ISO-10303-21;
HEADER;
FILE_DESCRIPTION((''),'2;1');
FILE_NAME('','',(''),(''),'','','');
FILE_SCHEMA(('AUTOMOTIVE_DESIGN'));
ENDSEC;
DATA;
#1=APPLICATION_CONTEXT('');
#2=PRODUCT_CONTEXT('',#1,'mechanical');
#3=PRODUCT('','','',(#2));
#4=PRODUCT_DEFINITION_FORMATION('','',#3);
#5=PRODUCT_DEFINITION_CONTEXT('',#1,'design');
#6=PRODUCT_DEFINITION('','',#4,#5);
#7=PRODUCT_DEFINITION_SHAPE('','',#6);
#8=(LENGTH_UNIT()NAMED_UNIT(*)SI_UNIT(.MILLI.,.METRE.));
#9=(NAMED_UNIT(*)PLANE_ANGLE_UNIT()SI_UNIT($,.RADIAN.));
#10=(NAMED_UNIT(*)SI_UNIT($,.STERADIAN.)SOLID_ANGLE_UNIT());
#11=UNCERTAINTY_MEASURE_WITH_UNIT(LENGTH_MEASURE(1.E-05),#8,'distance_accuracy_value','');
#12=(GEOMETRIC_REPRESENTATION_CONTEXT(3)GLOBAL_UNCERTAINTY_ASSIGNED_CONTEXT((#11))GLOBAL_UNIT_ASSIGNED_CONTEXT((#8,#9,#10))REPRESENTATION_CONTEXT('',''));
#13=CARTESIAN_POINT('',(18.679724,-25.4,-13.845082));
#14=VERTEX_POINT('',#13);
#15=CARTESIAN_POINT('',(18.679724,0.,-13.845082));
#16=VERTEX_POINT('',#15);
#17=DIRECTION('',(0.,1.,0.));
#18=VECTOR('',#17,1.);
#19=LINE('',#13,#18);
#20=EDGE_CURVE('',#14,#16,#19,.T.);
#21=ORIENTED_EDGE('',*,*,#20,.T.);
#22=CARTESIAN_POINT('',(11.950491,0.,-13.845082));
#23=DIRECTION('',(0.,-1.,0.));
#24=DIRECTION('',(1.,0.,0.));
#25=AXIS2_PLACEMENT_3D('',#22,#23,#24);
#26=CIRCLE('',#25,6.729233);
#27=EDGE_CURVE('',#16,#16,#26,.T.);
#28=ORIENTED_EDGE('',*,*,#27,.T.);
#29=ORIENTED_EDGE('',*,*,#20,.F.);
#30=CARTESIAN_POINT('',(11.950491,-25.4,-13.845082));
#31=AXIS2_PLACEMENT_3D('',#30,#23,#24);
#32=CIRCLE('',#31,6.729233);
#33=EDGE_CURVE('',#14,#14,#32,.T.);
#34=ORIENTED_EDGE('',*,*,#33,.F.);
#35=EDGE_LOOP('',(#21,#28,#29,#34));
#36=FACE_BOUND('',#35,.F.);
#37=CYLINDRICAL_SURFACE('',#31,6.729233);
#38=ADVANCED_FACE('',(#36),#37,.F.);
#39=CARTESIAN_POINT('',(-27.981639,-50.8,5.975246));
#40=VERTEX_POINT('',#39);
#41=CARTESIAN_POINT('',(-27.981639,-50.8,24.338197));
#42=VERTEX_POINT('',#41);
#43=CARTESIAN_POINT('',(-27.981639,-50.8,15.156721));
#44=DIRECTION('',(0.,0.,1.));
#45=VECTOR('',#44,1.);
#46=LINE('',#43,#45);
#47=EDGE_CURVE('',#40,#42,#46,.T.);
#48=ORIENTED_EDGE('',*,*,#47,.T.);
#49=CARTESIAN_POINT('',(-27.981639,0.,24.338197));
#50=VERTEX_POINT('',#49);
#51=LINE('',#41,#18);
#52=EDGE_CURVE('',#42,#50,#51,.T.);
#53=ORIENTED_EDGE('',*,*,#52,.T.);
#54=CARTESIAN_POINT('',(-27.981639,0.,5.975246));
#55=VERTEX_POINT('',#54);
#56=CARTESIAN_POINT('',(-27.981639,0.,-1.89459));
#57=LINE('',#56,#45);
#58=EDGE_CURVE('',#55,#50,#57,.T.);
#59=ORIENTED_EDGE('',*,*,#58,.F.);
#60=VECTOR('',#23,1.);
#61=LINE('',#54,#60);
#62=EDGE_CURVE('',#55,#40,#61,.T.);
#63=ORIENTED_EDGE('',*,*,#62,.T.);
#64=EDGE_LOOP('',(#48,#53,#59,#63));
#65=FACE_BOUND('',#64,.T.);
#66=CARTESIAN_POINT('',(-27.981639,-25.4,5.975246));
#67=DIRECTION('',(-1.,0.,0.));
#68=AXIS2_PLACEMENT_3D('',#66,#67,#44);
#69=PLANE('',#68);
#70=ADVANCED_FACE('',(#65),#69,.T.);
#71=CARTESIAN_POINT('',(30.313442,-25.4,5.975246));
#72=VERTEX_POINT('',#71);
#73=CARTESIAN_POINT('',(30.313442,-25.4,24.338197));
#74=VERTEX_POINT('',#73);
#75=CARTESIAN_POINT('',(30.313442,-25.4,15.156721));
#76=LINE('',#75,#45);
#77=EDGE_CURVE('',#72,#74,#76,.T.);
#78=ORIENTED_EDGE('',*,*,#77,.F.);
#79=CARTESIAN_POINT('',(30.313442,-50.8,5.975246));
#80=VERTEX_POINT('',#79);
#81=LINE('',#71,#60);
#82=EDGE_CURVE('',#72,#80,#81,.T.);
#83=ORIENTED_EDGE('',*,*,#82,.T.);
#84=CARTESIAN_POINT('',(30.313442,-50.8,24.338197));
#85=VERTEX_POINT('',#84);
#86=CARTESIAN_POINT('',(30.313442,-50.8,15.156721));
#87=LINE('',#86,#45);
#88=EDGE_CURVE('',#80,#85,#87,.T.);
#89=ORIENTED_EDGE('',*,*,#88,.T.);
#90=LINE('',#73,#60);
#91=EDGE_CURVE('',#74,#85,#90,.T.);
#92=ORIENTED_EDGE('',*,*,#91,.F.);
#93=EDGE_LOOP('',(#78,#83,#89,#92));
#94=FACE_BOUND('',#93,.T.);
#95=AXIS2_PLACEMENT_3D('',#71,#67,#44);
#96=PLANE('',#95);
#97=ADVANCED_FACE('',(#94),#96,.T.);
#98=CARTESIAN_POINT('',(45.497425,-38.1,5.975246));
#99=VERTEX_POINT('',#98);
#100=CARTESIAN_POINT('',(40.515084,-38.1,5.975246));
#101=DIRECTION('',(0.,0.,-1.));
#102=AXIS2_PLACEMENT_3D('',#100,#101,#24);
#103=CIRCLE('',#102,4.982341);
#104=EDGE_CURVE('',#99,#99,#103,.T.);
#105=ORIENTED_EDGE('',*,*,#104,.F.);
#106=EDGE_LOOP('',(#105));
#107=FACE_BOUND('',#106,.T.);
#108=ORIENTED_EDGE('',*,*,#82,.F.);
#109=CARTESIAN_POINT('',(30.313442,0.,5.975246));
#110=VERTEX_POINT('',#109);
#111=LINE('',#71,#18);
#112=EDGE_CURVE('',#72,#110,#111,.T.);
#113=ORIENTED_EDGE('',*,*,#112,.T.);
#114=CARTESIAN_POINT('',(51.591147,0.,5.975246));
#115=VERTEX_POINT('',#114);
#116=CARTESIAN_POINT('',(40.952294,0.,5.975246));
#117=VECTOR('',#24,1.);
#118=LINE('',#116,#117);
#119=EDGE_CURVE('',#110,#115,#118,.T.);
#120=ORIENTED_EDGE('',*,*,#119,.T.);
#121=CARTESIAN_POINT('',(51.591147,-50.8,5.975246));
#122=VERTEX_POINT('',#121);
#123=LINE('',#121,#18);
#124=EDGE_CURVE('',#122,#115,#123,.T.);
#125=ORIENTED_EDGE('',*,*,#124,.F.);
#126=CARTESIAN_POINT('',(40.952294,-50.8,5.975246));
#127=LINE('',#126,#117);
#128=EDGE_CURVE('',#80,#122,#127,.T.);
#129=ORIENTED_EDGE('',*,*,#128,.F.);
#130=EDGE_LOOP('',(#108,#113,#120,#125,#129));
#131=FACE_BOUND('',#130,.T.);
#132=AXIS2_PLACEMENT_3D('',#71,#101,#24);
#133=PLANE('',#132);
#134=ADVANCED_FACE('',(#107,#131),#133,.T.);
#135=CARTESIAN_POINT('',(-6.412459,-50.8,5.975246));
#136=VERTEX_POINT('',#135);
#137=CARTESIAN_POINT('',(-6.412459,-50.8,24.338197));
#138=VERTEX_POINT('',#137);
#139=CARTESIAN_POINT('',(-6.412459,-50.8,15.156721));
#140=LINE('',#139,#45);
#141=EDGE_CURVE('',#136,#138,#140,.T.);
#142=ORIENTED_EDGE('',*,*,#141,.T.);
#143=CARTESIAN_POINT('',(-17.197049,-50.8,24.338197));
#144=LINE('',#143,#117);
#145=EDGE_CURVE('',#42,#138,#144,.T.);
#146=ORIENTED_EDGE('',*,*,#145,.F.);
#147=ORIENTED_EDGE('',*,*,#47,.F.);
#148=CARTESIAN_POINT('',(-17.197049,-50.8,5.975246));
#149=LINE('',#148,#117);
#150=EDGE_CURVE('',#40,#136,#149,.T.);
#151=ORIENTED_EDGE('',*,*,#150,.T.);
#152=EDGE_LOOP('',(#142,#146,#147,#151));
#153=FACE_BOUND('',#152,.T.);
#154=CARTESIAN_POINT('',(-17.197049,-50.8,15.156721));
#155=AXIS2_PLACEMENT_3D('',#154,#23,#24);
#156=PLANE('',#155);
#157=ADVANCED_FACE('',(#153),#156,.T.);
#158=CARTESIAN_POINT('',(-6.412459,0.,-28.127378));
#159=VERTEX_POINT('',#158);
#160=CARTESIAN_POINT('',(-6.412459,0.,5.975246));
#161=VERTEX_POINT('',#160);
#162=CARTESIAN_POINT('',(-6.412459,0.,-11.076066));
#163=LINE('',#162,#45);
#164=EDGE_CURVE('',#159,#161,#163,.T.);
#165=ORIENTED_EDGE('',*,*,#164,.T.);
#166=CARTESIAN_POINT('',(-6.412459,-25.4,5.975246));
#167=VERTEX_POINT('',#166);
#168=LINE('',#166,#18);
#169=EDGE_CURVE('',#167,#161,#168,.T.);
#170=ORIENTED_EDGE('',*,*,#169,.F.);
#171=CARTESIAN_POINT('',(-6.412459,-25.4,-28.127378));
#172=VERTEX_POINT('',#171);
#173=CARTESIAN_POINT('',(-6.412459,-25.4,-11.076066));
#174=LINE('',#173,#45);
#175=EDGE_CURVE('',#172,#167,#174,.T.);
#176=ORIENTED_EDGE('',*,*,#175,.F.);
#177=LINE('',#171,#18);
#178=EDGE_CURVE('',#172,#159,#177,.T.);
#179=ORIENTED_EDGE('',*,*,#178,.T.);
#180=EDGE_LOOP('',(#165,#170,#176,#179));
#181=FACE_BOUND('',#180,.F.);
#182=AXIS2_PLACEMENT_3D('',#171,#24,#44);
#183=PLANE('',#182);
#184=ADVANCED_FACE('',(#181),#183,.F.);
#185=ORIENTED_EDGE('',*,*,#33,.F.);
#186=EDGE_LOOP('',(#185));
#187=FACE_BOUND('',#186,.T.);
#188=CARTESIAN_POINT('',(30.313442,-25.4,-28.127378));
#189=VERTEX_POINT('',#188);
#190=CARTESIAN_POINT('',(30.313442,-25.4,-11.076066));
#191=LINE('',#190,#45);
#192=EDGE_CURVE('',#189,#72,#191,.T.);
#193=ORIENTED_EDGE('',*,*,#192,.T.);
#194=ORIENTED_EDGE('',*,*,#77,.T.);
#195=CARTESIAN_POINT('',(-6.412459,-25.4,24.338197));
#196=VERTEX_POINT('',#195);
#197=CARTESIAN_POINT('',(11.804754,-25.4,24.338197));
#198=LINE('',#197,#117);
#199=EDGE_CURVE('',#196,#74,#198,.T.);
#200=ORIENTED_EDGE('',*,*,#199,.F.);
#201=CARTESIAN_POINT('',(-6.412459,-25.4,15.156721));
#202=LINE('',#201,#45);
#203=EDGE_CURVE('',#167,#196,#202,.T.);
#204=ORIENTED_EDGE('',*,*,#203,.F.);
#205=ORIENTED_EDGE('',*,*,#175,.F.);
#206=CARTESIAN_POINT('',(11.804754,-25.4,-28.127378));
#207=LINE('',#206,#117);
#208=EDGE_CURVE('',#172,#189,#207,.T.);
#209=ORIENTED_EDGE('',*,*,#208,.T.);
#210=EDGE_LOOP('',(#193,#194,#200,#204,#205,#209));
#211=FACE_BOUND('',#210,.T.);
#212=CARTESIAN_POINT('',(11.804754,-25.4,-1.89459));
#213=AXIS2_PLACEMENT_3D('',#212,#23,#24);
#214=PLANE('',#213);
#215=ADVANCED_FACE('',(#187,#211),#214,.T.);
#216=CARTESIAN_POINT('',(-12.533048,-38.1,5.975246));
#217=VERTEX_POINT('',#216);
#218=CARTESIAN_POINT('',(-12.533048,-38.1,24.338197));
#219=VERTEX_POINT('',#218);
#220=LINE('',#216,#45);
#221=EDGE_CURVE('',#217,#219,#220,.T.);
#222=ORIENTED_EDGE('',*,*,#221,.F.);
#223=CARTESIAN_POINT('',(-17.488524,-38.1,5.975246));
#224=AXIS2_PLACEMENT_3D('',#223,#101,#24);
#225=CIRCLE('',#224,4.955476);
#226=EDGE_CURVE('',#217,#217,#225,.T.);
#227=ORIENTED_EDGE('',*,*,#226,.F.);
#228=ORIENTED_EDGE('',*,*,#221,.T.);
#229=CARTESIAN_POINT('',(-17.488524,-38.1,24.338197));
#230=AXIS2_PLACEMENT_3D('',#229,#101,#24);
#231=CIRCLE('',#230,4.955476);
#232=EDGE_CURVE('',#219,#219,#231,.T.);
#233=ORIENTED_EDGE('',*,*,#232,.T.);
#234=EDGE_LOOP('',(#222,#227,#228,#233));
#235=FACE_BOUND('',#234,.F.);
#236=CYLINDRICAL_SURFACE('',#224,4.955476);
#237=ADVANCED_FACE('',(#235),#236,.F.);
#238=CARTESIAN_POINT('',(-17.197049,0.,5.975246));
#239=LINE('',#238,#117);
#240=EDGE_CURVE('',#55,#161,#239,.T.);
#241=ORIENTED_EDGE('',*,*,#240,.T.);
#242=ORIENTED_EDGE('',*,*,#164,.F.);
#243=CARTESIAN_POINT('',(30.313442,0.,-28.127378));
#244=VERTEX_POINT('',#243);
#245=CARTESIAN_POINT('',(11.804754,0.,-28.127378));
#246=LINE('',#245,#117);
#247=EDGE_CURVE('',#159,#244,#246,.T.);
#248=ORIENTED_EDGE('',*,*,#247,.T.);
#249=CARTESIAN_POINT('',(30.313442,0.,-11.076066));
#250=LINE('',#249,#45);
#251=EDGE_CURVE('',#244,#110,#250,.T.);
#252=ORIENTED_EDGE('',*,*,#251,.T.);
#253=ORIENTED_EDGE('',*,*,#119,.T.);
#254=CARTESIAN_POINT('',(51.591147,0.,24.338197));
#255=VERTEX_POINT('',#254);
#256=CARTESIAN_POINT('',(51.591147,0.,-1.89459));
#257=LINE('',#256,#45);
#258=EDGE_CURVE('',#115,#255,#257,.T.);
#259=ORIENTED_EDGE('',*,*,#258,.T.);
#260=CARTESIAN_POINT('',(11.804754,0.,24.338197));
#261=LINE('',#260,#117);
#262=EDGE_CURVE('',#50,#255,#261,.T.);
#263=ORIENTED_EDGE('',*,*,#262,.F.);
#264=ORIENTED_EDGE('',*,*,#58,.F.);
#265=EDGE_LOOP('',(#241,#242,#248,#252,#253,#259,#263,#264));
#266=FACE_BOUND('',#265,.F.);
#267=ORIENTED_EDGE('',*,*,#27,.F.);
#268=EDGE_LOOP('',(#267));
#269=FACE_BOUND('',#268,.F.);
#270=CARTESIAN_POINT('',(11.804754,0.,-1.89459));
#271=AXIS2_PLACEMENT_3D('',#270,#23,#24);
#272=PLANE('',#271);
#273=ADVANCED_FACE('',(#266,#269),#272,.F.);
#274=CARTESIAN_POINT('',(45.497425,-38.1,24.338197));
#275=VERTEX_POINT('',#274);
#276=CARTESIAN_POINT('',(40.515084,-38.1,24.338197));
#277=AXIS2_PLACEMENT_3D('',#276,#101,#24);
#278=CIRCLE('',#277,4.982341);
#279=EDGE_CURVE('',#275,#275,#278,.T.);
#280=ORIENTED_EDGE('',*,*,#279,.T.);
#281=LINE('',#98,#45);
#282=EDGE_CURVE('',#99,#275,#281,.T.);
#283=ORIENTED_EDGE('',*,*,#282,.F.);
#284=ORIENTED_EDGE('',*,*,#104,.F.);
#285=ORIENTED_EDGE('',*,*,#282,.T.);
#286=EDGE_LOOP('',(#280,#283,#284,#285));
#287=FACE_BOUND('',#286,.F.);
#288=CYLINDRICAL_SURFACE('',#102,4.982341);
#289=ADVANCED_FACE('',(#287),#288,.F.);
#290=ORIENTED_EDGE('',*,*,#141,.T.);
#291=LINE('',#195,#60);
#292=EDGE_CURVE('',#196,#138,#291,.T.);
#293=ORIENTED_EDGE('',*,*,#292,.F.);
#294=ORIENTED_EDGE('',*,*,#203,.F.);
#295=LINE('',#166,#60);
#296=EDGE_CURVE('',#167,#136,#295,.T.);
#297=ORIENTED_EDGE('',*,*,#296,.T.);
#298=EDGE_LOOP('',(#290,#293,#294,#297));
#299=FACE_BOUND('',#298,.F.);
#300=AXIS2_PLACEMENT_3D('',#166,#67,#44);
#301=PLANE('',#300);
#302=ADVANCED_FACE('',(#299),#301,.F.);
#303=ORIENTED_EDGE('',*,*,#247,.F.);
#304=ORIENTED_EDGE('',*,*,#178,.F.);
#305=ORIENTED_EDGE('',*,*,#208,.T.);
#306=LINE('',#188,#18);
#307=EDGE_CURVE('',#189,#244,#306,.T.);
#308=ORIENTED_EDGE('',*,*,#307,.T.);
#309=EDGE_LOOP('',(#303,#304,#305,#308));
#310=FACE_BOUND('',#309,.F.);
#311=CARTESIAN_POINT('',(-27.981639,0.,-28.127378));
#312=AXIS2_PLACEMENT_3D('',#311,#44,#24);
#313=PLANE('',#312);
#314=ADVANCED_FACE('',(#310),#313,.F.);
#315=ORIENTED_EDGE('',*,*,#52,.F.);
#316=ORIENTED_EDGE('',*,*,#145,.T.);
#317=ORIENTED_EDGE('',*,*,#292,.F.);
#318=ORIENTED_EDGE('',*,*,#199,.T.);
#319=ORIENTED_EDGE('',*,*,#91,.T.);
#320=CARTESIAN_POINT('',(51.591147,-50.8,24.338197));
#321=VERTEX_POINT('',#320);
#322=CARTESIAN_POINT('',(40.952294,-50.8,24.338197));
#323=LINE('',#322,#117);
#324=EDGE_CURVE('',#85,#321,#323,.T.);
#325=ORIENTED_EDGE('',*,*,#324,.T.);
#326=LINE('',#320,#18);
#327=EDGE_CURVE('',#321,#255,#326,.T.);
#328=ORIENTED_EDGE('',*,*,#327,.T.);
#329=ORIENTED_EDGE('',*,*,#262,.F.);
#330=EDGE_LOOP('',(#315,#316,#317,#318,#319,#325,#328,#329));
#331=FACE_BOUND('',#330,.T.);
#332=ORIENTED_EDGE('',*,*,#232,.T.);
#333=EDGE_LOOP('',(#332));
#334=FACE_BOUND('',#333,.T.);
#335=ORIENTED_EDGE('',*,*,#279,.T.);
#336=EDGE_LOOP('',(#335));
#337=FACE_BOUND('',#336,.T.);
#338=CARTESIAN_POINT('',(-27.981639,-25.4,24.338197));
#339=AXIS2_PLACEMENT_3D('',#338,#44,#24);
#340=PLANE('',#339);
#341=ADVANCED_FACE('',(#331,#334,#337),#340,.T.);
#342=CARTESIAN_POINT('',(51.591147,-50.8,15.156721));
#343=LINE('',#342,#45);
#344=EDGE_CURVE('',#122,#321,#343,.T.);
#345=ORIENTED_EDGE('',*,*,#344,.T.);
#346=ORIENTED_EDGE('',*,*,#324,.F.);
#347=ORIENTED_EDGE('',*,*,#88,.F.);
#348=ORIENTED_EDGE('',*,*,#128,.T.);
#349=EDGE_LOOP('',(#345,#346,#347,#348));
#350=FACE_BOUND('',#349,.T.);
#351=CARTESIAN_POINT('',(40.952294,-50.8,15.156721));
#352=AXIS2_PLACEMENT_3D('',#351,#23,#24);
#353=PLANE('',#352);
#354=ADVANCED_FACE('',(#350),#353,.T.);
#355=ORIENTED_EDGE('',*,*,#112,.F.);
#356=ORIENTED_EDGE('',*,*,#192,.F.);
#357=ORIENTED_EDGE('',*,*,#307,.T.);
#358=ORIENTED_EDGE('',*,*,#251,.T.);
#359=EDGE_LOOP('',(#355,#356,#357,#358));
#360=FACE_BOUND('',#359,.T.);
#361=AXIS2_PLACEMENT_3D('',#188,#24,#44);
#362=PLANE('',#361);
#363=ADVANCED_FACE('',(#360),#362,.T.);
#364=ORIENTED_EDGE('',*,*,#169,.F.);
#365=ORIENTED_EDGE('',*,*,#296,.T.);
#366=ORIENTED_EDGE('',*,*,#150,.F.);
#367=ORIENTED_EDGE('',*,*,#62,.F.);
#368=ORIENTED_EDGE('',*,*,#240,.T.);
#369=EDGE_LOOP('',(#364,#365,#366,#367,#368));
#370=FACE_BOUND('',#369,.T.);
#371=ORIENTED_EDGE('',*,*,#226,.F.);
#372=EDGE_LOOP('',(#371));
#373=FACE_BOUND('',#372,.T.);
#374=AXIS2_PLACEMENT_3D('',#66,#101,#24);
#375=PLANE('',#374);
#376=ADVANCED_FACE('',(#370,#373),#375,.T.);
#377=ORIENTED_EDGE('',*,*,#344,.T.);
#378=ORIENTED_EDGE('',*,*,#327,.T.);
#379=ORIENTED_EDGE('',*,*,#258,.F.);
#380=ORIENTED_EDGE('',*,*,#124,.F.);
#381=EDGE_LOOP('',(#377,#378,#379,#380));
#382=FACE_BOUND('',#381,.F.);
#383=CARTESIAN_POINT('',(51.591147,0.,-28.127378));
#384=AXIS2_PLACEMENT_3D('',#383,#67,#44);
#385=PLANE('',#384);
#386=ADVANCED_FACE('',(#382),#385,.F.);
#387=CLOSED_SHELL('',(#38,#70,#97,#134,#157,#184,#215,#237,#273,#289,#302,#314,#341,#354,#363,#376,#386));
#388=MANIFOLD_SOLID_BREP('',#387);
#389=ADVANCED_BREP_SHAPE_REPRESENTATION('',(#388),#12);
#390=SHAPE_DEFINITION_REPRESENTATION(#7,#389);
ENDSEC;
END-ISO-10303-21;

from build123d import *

# Parameters (mm, degrees)
F0_W      = 79.5727856457
F0_H      = 52.4655748159
F1_DEPTH  = 25.4
F2_W      = 21.5691803023
F2_H      = 18.3629509993
F2_W_2    = 21.2777052075
F3_DEPTH  = 25.4
F4_W      = 21.5691803023
F4_H      = 34.1026238166
F4_W_2    = 21.2777052075
F5_DEPTH  = 25.4
F6_R      = 6.7292329965
F7_DEPTH  = 25.4
F8_R      = 4.9554758181
F9_DEPTH  = 25.4
F10_R     = 4.9823414423
F11_DEPTH = 25.4


with BuildPart() as f1:
    # F0 (on Front) → F1 (new body)
    with BuildSketch(Plane.XZ):
        with Locations((11.8047539145, -1.8945904449)):
            Rectangle(F0_W, F0_H)
    extrude(amount=F1_DEPTH)

    # F2 (on face) → F3 (join)
    with BuildSketch(Plane.XZ.offset(25.4)):
        with Locations((-17.1970487572, 15.1567214634)):
            Rectangle(F2_W, F2_H)
        with Locations((40.9522941336, 15.1567214634)):
            Rectangle(F2_W_2, F2_H)
    extrude(amount=F3_DEPTH)

    # F4 (on face) → F5 (cut)
    with BuildSketch(Plane.XZ.offset(25.4)):
        with Locations((-17.1970487572, -11.0760659445)):
            Rectangle(F4_W, F4_H)
        with Locations((40.9522941336, -11.0760659445)):
            Rectangle(F4_W_2, F4_H)
    extrude(amount=-F5_DEPTH, mode=Mode.SUBTRACT)

    # F6 (on face) → F7 (cut)
    with BuildSketch(Plane.XZ.offset(25.4)):
        with Locations((11.9504914619, -13.8450823724)):
            Circle(F6_R)
    extrude(amount=-F7_DEPTH, mode=Mode.SUBTRACT)

    # F8 (on face) → F9 (cut)
    with BuildSketch(Plane(origin=(0, 0, 5.9752459638), x_dir=(1, 0, 0), z_dir=(0, 0, -1))):
        with Locations((-17.4885243177, 38.1)):
            Circle(F8_R)
    extrude(amount=-F9_DEPTH, mode=Mode.SUBTRACT)

    # F10 (on face) → F11 (cut)
    with BuildSketch(Plane(origin=(0, 0, 5.9752459638), x_dir=(1, 0, 0), z_dir=(0, 0, -1))):
        with Locations((40.5150838196, 38.1)):
            Circle(F10_R)
    extrude(amount=-F11_DEPTH, mode=Mode.SUBTRACT)


solid = f1.part
